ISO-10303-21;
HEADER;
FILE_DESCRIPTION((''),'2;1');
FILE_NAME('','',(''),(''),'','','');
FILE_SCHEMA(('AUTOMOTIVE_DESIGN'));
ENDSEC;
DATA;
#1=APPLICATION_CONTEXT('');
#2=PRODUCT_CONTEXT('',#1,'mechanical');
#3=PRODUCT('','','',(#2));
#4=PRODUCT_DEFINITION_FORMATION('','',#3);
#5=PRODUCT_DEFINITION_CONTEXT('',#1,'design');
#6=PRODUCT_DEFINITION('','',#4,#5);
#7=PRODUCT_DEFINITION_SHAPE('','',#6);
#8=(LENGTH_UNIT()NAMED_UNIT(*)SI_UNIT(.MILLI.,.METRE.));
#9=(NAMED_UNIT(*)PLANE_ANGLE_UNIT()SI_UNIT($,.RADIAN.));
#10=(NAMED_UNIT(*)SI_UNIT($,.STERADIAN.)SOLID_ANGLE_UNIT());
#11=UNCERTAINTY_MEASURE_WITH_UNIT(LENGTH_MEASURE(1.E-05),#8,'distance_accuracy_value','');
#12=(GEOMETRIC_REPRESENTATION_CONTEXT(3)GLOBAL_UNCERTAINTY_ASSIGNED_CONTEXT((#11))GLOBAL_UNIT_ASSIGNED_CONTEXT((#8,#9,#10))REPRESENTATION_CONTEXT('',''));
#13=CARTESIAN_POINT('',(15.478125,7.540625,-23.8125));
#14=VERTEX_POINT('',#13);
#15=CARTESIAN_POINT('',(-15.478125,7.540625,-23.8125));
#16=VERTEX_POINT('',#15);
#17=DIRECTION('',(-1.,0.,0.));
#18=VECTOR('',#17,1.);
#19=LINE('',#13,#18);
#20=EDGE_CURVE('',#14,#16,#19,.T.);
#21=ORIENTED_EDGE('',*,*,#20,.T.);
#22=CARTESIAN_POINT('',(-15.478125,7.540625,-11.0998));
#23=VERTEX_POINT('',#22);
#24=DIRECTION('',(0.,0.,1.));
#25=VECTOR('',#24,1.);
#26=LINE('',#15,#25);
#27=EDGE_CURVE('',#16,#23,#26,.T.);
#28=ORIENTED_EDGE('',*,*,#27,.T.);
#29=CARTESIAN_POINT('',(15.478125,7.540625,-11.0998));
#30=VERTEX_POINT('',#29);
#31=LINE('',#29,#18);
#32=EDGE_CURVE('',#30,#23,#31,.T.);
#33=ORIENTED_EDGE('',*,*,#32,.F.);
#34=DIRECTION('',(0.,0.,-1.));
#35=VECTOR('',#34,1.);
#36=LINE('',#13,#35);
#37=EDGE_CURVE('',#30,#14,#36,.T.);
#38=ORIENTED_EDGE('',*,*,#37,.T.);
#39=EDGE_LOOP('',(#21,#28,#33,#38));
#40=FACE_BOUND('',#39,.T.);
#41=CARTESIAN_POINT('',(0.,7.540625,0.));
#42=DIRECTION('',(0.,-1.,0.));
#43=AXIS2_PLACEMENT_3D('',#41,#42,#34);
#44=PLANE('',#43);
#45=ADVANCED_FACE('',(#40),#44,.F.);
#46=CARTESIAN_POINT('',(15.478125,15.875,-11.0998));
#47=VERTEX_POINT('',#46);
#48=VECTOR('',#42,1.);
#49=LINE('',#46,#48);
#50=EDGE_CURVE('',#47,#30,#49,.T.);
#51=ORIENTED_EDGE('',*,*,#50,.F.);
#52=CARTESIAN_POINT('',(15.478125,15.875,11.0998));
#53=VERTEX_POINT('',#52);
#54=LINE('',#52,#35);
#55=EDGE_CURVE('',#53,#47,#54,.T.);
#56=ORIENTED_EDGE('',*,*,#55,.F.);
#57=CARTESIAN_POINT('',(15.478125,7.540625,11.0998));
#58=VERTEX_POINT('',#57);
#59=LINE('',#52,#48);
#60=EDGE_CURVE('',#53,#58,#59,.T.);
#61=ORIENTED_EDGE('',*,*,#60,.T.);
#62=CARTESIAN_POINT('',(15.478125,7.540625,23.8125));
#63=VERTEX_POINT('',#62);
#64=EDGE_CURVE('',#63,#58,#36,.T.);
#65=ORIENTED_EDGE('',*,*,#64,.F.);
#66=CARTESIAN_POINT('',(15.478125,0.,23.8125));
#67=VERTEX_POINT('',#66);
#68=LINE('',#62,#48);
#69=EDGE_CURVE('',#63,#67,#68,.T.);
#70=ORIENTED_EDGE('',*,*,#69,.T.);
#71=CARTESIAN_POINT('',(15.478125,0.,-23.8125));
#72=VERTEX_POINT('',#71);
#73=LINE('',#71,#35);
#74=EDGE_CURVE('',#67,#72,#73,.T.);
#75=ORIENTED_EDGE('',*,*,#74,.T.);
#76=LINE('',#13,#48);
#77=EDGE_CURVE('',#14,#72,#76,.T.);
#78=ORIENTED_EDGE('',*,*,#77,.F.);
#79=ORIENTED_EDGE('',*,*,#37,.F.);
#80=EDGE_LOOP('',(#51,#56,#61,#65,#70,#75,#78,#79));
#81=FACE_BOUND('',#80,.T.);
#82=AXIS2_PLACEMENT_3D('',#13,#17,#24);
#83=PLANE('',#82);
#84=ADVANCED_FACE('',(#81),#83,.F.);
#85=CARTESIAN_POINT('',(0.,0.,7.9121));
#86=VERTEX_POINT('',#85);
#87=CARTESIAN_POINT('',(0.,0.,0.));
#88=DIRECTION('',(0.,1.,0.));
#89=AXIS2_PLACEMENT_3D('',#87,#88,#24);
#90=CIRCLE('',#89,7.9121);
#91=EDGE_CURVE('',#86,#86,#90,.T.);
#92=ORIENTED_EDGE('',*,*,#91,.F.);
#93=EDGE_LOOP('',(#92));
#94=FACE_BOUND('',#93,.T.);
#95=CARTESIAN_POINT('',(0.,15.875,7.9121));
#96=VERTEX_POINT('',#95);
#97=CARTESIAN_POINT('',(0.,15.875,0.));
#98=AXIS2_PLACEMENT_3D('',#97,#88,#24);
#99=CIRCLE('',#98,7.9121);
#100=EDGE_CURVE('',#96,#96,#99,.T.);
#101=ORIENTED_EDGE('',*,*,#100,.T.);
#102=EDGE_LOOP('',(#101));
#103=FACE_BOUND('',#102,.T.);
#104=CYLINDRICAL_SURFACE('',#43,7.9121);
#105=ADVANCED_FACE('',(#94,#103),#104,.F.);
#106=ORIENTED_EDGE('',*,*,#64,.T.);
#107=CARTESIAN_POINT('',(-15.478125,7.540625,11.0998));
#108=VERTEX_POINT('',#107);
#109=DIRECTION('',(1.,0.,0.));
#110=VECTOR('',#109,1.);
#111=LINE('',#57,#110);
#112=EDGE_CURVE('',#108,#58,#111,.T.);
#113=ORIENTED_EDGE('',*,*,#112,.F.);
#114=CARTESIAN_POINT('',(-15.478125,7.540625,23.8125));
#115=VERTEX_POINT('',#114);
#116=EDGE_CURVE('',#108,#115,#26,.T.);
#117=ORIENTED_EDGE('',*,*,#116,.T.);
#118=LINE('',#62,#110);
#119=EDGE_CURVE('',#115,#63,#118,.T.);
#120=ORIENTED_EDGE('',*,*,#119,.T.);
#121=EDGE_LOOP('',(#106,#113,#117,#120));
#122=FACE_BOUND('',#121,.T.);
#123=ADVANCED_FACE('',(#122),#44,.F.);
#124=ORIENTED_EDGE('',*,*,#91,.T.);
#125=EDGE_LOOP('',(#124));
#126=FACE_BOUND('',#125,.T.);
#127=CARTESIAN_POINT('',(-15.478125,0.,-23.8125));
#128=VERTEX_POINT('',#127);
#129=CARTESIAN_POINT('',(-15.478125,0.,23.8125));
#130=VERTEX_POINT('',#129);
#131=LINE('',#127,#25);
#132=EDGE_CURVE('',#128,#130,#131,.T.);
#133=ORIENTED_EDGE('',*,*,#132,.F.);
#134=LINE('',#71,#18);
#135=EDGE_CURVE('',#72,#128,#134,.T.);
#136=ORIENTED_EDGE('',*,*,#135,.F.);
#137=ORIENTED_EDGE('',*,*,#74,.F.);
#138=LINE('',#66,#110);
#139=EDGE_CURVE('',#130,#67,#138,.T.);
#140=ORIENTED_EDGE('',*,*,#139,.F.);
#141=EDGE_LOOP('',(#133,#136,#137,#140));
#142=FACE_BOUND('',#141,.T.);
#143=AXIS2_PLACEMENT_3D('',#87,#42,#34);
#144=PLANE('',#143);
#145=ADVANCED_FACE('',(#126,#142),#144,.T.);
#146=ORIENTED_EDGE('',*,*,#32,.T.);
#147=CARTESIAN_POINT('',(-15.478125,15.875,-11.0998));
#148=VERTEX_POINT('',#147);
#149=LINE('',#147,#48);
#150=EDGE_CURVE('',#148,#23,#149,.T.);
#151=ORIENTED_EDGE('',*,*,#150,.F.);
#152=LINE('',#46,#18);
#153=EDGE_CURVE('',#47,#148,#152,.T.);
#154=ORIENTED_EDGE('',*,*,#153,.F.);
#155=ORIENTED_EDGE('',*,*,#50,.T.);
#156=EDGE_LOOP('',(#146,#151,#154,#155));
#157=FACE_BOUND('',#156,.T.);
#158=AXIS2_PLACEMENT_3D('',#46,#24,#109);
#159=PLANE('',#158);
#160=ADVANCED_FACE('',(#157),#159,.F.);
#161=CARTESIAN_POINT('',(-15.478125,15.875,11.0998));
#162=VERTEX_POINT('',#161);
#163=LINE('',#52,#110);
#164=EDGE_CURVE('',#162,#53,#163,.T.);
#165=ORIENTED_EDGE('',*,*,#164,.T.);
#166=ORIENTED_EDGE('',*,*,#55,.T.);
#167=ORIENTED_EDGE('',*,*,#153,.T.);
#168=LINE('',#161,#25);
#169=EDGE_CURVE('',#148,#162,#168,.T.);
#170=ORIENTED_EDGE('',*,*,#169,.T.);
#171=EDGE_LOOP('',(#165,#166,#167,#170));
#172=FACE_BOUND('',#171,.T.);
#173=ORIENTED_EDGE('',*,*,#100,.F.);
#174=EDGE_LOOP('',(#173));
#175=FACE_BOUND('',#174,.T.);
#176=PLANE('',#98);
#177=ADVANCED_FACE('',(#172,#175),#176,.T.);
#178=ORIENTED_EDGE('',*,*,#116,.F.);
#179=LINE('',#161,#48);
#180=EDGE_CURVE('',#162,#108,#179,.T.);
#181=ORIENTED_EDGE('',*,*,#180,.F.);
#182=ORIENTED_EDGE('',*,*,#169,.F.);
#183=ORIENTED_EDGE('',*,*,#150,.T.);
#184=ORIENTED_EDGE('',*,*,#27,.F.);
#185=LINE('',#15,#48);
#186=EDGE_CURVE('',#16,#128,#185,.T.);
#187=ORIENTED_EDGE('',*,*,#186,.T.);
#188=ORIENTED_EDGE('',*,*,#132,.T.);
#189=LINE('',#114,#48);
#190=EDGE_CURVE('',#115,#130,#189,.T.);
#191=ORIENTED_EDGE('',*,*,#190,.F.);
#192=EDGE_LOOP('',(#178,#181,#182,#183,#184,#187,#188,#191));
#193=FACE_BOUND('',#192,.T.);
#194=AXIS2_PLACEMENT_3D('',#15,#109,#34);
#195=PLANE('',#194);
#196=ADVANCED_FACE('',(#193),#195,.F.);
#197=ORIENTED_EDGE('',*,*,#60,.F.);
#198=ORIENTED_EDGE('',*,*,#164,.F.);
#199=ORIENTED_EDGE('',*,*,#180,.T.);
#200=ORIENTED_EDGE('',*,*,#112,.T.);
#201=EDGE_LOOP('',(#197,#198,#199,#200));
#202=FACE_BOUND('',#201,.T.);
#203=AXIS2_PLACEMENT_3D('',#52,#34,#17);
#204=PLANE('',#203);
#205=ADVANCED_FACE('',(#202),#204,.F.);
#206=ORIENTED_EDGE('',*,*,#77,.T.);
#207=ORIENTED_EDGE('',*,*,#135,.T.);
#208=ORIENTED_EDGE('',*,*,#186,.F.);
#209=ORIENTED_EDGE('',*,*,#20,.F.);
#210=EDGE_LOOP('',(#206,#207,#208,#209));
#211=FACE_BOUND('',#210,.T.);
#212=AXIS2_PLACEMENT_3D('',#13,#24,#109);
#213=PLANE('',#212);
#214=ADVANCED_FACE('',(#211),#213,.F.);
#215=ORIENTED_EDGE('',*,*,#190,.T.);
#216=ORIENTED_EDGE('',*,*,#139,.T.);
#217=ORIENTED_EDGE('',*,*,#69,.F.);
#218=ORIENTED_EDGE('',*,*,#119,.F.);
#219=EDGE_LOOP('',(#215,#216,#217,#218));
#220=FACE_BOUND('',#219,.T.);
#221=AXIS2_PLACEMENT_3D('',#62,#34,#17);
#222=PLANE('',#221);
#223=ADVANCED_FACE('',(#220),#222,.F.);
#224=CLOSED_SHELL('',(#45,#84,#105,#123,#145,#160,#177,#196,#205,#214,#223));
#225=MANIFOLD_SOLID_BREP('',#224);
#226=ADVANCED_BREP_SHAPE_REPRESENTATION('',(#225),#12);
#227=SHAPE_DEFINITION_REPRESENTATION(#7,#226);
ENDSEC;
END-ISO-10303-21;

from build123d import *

# Parameters (mm, degrees)
SKETCH1_W           = 30.95625
SKETCH1_H           = 47.625
SKETCH1_R           = 7.9121
BOSS_EXTRUDE1_DEPTH = 7.540625
SKETCH2_W           = 30.95625
SKETCH2_H           = 22.1996
SKETCH2_R           = 7.9121
BOSS_EXTRUDE2_DEPTH = 8.334375


with BuildPart() as part:
    # Sketch1 → Boss-Extrude1 (new body)
    with BuildSketch(Plane(origin=(0, 0, 0), x_dir=(1, 0, 0), z_dir=(0, 1, 0))):
        Rectangle(SKETCH1_W, SKETCH1_H)
        Circle(SKETCH1_R, mode=Mode.SUBTRACT)
    extrude(amount=BOSS_EXTRUDE1_DEPTH)

    # Sketch2 → Boss-Extrude2 (add)
    with BuildSketch(Plane(origin=(0, 7.540625, 0), x_dir=(1, 0, 0), z_dir=(0, 1, 0))):
        Rectangle(SKETCH2_W, SKETCH2_H)
        Circle(SKETCH2_R, mode=Mode.SUBTRACT)
    extrude(amount=BOSS_EXTRUDE2_DEPTH)


solid = part.part
